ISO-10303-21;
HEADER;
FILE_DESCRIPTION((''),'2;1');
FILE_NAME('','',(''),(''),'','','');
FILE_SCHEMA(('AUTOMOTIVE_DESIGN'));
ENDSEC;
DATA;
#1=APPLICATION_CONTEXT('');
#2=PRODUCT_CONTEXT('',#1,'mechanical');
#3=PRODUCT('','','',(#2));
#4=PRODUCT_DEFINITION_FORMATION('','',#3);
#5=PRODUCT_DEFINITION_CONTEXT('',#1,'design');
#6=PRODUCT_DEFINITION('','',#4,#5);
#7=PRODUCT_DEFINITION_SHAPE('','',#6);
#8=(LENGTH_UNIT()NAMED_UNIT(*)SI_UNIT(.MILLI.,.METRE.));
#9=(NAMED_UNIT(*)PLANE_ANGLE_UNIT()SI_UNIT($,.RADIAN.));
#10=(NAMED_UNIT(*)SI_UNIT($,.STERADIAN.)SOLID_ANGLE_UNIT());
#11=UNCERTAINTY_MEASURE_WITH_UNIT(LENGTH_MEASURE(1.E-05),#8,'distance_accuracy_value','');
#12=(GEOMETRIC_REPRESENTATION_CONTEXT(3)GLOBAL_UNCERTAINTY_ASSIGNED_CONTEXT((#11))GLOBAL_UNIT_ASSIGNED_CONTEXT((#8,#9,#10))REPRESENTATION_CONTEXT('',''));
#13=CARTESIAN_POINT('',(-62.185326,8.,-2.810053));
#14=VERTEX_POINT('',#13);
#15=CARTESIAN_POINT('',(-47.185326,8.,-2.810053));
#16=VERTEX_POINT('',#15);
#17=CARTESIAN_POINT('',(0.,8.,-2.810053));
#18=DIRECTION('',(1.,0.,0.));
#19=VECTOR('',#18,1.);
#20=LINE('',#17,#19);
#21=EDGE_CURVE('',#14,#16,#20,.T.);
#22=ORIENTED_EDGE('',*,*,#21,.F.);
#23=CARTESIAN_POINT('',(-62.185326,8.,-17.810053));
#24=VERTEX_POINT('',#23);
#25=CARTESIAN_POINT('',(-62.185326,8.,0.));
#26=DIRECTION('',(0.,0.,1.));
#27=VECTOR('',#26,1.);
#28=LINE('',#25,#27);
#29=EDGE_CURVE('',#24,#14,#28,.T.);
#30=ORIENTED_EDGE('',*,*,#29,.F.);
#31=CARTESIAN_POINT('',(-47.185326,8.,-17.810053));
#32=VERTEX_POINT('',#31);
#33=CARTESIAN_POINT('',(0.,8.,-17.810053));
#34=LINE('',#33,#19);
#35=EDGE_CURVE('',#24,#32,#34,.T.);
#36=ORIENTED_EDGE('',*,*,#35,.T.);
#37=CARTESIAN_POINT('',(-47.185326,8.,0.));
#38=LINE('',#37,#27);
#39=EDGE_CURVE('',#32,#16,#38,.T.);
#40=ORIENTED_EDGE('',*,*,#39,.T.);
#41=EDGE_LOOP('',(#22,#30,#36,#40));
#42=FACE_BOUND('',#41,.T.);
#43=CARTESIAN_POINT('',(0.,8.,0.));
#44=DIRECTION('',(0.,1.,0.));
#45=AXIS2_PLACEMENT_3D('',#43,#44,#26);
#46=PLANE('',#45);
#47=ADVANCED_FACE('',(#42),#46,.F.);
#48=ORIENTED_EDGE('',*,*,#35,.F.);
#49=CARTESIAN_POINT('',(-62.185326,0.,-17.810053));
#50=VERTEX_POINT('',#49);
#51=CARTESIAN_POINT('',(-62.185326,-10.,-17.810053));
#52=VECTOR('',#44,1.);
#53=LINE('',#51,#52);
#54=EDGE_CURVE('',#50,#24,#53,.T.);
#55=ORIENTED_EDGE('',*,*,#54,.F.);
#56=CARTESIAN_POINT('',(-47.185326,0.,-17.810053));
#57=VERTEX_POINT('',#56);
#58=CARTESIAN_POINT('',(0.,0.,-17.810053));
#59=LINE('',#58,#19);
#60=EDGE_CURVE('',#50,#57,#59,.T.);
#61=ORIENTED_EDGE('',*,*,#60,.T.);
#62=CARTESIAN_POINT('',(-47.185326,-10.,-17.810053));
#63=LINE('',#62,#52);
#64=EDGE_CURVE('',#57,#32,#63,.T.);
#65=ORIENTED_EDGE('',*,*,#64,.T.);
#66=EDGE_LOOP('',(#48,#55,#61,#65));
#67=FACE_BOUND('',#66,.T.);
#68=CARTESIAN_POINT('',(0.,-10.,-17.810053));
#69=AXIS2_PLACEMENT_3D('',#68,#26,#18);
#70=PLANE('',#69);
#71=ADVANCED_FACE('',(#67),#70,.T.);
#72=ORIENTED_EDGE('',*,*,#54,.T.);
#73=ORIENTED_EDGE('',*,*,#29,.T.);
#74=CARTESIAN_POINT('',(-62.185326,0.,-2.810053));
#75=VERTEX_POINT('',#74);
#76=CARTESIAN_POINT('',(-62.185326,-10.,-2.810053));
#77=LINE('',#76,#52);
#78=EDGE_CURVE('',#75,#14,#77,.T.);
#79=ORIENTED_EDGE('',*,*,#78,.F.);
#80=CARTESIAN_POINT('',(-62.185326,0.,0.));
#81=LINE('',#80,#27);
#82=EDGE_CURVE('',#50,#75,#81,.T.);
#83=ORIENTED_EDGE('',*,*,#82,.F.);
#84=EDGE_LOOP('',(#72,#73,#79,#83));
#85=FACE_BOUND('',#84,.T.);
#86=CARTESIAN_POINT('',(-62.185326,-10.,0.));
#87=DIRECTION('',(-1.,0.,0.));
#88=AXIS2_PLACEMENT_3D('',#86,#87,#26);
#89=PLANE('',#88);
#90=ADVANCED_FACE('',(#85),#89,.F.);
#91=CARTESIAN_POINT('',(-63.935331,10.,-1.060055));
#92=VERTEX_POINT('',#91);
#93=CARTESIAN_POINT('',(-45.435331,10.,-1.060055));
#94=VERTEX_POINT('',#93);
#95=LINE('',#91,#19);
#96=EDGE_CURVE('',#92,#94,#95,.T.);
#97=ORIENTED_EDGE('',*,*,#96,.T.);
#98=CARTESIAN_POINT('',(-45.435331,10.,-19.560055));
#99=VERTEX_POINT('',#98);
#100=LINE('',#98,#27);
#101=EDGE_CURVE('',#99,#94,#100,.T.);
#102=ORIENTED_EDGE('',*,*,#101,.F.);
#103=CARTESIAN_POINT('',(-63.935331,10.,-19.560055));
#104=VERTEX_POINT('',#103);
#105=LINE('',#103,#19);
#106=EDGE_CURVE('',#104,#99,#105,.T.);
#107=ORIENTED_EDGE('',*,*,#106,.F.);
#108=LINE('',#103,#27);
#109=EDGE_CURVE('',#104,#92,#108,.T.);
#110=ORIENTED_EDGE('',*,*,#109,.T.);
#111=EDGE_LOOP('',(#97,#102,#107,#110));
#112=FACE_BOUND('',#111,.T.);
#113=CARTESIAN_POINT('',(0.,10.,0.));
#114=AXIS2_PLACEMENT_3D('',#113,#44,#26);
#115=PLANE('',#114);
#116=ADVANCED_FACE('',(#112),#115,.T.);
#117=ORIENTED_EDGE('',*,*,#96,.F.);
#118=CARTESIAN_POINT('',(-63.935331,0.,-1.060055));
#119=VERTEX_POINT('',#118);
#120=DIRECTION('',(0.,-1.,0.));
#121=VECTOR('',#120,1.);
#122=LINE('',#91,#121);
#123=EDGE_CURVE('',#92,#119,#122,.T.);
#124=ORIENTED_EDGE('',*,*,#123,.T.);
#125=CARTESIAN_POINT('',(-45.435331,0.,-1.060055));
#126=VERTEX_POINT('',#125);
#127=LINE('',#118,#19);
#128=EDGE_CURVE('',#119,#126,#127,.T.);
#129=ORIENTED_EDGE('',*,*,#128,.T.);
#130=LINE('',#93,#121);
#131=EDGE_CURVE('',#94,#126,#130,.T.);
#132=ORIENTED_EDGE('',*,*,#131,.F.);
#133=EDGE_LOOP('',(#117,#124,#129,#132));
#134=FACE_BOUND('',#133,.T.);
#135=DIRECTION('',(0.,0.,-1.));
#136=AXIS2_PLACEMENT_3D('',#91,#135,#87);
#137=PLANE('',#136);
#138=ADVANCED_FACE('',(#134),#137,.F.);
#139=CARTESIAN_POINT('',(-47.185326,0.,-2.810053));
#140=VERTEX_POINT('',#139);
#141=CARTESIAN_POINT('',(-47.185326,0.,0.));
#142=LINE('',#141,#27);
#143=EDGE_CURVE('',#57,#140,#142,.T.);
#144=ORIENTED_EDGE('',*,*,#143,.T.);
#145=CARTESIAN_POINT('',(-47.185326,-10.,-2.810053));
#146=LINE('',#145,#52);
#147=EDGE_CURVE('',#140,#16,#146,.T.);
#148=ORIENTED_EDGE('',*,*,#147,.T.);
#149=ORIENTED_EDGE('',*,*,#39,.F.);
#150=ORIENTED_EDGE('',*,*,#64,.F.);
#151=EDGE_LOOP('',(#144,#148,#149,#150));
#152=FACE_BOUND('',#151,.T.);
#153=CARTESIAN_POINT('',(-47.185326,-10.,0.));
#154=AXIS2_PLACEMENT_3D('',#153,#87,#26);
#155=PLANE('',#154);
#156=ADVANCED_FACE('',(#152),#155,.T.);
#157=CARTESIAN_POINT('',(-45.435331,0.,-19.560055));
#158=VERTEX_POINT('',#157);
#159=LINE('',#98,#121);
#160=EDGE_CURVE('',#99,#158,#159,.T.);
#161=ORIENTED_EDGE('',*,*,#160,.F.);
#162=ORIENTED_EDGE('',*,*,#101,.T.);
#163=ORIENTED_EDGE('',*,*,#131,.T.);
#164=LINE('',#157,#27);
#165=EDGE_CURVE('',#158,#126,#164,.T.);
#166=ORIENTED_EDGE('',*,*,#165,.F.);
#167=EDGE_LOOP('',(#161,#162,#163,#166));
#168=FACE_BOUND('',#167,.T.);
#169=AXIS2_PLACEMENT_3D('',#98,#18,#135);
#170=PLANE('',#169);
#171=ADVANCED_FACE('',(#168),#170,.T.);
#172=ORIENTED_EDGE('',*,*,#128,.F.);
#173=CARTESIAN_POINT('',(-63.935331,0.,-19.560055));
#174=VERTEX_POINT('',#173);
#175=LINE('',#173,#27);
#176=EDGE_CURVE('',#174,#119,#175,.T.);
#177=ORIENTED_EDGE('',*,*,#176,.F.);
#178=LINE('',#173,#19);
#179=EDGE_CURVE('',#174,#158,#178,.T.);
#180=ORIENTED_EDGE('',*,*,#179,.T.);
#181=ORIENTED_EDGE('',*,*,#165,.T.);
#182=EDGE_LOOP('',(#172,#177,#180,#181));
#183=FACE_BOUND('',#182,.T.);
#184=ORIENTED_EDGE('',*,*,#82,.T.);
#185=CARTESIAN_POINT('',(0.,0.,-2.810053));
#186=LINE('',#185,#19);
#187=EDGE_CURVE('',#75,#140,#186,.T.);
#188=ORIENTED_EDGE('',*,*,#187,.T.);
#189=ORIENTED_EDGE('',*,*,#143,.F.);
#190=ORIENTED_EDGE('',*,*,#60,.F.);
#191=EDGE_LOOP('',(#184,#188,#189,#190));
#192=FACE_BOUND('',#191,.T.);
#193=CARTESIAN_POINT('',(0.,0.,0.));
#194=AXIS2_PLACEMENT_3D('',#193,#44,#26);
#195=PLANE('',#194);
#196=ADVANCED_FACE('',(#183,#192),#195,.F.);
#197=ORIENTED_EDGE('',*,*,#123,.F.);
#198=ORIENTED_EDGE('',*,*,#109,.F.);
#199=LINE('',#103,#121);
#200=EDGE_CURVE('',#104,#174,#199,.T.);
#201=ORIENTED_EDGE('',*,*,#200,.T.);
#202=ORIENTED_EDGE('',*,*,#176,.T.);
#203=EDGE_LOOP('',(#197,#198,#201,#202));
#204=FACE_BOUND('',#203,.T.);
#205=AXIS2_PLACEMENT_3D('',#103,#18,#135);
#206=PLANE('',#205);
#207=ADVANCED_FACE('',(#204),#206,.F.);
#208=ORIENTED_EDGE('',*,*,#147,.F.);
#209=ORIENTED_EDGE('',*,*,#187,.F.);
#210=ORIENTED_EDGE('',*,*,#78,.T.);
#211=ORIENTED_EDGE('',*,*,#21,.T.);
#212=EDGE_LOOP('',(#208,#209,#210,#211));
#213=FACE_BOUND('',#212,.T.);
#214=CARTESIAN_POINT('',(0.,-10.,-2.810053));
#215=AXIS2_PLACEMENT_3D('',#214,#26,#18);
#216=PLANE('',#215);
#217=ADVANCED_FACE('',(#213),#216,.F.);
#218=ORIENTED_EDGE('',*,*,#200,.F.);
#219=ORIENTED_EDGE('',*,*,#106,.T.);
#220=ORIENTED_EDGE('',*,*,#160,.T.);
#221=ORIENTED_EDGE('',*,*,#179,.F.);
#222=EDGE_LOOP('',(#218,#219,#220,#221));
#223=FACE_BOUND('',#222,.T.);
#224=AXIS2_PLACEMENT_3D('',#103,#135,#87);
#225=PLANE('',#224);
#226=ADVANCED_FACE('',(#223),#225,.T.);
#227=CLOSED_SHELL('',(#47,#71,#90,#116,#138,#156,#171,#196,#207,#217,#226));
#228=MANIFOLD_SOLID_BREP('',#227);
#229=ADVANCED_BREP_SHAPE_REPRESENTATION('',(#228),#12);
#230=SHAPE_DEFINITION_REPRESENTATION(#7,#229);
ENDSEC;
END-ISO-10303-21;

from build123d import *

# Parameters (mm, degrees)
SKETCH_1_W               = 18.5
SKETCH_1_H               = 18.5
EXTRUDE_2_DEPTH          = 10
CUT_EXTRUDE_1_DEPTH      = 8
CUT_EXTRUDE_1_DEPTH_BACK = 10
SKETCH_1_5_W             = 15
SKETCH_1_5_H             = 15
SKETCH_1_8_R             = 3
EXTRUDE_3_DEPTH          = 8


with BuildPart() as part:
    # 草图1 → 凸台-拉伸2 (new body)
    with BuildSketch(Plane(origin=(-54.452348576, 0, -10.111307481), x_dir=(1, 0, 0), z_dir=(0, 1, 0))):
        with Locations((-0.232982833, 0.198747616)):
            Rectangle(SKETCH_1_W, SKETCH_1_H)
    extrude(amount=EXTRUDE_2_DEPTH)

    # 草图1<5> → 切除-拉伸1 (cut, two sides: drawn at the far end of the back side and taken through both)
    with BuildSketch(Plane(origin=(-54.452348576, 0, -10.111307481), x_dir=(1, 0, 0), z_dir=(0, 1, 0)).offset(-CUT_EXTRUDE_1_DEPTH_BACK)):
        with Locations((-0.232977593, 0.198745421)):
            Rectangle(SKETCH_1_5_W, SKETCH_1_5_H)
    extrude(amount=CUT_EXTRUDE_1_DEPTH + CUT_EXTRUDE_1_DEPTH_BACK, mode=Mode.SUBTRACT)


with BuildPart() as body_2:
    # 草图1<8> → 凸台-拉伸3 (new body)
    with BuildSketch(Plane(origin=(-54.452348576, 0, -10.111307481), x_dir=(1, 0, 0), z_dir=(0, 1, 0))):
        with Locations(Location((-32.631590837, 12.584276694, 0), (0, 0, 270))):
            Circle(SKETCH_1_8_R)
        Polygon((-34.631589769, 12.124234893), (-34.631589769, 13.124234893), (-33.131574719, 13.124234893), (-33.131574719, 14.5842993), (-32.131574719, 14.5842993), (-32.131574719, 13.124234893), (-30.631589769, 13.124234893), (-30.631589769, 12.124234893), (-32.131574719, 12.124234893), (-32.131574719, 10.5842993), (-33.131574719, 10.5842993), (-33.131574719, 12.124234893), align=None, mode=Mode.SUBTRACT)
    extrude(amount=EXTRUDE_3_DEPTH)


solid = part.part
